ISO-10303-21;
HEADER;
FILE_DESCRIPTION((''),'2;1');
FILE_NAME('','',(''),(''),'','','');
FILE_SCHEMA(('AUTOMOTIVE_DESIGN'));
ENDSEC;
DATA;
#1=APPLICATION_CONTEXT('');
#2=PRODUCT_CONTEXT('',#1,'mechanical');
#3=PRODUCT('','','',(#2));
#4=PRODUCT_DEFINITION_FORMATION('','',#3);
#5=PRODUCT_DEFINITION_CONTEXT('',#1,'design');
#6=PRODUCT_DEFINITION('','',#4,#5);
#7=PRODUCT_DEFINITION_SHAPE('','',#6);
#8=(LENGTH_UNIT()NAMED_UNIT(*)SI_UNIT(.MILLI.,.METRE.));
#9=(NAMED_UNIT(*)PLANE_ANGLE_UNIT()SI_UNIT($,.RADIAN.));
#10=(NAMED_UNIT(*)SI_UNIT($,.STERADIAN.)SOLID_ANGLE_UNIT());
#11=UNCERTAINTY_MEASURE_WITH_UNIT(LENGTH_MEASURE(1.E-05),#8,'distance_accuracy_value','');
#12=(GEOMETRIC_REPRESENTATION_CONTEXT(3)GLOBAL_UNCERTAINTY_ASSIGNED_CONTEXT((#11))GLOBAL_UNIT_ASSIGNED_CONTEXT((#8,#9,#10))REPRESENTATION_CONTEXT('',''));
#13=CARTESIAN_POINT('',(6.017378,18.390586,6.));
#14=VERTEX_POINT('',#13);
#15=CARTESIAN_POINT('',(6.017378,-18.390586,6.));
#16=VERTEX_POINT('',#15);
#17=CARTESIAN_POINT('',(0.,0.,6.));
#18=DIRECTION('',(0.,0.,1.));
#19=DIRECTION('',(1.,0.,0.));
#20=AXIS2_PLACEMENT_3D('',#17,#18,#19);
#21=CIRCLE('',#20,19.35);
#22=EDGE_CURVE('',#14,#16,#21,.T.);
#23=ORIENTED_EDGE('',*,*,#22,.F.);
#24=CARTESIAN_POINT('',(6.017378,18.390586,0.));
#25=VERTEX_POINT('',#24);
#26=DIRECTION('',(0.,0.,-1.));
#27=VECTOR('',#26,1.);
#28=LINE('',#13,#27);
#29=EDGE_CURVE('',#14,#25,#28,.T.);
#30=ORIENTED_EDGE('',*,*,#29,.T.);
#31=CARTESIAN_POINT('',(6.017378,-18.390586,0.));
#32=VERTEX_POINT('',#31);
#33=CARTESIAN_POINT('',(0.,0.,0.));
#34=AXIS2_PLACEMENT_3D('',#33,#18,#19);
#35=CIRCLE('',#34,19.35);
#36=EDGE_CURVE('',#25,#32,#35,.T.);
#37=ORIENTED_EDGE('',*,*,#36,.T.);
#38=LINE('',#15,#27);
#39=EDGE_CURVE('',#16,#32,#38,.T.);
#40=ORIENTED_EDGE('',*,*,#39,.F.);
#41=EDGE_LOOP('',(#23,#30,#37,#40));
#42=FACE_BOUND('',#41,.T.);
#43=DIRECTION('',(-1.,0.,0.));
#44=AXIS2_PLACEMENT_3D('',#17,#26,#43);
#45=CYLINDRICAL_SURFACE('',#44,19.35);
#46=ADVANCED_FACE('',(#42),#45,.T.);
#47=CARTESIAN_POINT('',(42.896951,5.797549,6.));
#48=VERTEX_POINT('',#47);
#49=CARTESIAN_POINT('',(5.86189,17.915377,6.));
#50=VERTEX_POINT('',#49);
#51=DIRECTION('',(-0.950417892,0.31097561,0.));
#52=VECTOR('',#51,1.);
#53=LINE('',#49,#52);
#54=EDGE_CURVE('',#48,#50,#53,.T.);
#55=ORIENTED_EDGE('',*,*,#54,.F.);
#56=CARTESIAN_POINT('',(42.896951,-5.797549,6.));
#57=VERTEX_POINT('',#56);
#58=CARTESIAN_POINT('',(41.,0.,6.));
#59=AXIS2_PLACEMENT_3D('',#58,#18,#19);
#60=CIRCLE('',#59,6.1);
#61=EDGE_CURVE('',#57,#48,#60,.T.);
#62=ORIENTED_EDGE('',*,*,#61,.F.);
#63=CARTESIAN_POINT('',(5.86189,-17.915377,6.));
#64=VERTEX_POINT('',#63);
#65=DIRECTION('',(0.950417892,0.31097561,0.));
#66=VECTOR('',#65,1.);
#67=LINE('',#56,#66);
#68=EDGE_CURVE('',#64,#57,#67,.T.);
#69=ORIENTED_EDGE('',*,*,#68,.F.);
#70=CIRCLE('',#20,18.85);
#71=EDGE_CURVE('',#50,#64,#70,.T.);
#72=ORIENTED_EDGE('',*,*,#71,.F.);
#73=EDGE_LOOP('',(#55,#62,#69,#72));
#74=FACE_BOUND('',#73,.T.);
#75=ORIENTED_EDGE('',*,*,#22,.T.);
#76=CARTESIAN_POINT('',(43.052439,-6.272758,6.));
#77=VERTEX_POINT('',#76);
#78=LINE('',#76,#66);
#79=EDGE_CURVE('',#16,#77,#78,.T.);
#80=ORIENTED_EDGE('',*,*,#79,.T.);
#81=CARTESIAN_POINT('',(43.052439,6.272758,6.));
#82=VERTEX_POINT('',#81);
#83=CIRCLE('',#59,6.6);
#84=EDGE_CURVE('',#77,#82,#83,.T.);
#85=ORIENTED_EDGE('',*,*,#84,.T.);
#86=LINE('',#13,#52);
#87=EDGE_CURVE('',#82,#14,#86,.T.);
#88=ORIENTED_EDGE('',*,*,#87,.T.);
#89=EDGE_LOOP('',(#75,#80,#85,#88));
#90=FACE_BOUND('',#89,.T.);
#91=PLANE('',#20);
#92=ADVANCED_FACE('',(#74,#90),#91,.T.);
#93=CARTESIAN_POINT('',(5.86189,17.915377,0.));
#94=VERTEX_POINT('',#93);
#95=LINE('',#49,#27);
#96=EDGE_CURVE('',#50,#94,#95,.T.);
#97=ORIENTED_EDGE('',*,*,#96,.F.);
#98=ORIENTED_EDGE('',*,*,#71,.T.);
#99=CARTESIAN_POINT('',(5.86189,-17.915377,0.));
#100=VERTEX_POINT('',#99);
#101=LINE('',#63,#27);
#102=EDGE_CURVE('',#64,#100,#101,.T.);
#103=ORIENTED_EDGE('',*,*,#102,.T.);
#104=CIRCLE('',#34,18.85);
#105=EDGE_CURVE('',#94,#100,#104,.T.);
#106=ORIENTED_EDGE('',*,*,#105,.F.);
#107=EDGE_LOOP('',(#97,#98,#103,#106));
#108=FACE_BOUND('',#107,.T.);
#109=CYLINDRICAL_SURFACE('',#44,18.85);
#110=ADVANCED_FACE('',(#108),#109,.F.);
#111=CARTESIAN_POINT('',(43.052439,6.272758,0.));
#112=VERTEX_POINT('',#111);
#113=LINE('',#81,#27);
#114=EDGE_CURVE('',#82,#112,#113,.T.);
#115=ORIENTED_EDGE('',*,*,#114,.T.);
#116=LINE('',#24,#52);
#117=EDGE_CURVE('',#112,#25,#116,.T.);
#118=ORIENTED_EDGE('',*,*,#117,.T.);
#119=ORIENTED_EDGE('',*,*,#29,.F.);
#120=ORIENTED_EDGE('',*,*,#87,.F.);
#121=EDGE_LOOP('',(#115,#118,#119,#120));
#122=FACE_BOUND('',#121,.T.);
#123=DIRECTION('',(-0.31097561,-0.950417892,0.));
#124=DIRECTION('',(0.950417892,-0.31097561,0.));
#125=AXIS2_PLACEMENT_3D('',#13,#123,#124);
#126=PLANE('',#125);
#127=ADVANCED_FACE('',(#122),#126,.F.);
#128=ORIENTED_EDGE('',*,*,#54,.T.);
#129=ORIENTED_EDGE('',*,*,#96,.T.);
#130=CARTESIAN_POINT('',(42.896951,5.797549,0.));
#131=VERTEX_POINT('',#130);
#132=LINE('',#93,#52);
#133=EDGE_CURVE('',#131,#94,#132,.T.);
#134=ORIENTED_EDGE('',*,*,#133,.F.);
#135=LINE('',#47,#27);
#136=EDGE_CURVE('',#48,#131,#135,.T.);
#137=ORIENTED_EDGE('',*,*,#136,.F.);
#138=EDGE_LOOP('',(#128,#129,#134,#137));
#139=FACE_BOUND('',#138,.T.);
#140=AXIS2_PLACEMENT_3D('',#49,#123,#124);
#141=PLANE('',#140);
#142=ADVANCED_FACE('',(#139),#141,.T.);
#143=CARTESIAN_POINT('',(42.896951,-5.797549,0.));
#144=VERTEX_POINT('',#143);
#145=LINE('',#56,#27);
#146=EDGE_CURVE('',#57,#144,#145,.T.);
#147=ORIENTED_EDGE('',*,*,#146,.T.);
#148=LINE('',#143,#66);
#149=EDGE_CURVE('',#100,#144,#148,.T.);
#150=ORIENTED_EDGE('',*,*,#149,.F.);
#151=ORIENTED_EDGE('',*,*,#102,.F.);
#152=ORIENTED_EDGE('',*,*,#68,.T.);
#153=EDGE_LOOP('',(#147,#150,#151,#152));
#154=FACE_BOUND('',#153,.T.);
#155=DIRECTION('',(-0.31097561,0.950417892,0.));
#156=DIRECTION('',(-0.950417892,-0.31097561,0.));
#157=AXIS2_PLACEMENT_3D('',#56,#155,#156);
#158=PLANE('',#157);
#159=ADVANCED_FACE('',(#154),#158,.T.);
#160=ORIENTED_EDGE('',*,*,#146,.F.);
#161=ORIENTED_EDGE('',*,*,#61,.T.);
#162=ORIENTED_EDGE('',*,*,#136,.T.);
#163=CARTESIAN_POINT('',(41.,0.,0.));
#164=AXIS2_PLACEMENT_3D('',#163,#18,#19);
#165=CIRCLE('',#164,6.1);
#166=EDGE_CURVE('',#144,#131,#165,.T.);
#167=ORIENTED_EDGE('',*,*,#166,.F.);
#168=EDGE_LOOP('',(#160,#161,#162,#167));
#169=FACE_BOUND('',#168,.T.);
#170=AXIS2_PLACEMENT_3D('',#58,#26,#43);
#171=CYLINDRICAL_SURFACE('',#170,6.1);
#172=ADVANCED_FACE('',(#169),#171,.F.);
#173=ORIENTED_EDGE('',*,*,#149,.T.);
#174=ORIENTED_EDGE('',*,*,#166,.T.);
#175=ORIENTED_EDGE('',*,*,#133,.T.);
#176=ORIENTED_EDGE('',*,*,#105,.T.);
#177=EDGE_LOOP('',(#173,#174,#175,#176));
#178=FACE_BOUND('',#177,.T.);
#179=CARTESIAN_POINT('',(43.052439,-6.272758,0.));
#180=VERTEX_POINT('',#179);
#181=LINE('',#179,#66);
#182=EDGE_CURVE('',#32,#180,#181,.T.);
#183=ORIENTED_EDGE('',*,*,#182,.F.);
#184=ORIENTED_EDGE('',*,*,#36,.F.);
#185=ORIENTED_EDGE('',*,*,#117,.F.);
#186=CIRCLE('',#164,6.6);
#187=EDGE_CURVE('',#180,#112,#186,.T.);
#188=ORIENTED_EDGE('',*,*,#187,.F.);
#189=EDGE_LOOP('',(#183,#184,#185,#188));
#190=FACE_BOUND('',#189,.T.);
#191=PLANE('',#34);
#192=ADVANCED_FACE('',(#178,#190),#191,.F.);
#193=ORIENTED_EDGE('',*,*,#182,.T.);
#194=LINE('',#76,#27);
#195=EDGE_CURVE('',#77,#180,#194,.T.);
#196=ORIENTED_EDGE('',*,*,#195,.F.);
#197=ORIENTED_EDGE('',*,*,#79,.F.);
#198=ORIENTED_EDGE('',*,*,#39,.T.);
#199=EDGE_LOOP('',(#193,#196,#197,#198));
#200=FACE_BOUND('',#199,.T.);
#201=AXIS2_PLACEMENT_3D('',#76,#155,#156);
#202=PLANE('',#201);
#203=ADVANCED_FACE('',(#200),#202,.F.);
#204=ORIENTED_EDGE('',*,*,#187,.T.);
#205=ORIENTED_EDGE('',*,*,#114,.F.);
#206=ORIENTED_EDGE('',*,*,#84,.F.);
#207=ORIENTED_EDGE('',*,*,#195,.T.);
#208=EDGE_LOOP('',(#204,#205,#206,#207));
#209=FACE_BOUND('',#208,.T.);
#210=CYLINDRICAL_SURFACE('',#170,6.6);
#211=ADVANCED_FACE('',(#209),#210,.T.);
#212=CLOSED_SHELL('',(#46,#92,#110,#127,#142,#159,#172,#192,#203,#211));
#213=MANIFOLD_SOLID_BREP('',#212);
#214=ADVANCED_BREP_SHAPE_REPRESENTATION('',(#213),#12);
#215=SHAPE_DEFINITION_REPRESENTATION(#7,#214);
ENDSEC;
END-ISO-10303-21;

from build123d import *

# Parameters (mm, degrees)
SALIENTE_EXTRUIR1_DEPTH = 6


with BuildPart() as part:
    # Croquis1 → Saliente-Extruir1 (new body)
    with BuildSketch(Plane.XY):
        with BuildLine():
            Line((43.052439024, -6.27275809), (6.017378049, -18.390586217))
            ThreePointArc((6.017378049, -18.390586217), (-19.35, 0), (6.017378049, 18.390586217))
            Line((6.017378049, 18.390586217), (43.052439024, 6.27275809))
            ThreePointArc((43.052439024, 6.27275809), (47.6, 0), (43.052439024, -6.27275809))
        make_face()
        with BuildLine():
            Line((5.861890244, 17.915377271), (42.89695122, 5.797549143))
            ThreePointArc((42.89695122, 5.797549143), (47.1, 0), (42.89695122, -5.797549143))
            Line((42.89695122, -5.797549143), (5.861890244, -17.915377271))
            ThreePointArc((5.861890244, -17.915377271), (-18.85, 0), (5.861890244, 17.915377271))
        make_face(mode=Mode.SUBTRACT)
    extrude(amount=SALIENTE_EXTRUIR1_DEPTH)


solid = part.part
